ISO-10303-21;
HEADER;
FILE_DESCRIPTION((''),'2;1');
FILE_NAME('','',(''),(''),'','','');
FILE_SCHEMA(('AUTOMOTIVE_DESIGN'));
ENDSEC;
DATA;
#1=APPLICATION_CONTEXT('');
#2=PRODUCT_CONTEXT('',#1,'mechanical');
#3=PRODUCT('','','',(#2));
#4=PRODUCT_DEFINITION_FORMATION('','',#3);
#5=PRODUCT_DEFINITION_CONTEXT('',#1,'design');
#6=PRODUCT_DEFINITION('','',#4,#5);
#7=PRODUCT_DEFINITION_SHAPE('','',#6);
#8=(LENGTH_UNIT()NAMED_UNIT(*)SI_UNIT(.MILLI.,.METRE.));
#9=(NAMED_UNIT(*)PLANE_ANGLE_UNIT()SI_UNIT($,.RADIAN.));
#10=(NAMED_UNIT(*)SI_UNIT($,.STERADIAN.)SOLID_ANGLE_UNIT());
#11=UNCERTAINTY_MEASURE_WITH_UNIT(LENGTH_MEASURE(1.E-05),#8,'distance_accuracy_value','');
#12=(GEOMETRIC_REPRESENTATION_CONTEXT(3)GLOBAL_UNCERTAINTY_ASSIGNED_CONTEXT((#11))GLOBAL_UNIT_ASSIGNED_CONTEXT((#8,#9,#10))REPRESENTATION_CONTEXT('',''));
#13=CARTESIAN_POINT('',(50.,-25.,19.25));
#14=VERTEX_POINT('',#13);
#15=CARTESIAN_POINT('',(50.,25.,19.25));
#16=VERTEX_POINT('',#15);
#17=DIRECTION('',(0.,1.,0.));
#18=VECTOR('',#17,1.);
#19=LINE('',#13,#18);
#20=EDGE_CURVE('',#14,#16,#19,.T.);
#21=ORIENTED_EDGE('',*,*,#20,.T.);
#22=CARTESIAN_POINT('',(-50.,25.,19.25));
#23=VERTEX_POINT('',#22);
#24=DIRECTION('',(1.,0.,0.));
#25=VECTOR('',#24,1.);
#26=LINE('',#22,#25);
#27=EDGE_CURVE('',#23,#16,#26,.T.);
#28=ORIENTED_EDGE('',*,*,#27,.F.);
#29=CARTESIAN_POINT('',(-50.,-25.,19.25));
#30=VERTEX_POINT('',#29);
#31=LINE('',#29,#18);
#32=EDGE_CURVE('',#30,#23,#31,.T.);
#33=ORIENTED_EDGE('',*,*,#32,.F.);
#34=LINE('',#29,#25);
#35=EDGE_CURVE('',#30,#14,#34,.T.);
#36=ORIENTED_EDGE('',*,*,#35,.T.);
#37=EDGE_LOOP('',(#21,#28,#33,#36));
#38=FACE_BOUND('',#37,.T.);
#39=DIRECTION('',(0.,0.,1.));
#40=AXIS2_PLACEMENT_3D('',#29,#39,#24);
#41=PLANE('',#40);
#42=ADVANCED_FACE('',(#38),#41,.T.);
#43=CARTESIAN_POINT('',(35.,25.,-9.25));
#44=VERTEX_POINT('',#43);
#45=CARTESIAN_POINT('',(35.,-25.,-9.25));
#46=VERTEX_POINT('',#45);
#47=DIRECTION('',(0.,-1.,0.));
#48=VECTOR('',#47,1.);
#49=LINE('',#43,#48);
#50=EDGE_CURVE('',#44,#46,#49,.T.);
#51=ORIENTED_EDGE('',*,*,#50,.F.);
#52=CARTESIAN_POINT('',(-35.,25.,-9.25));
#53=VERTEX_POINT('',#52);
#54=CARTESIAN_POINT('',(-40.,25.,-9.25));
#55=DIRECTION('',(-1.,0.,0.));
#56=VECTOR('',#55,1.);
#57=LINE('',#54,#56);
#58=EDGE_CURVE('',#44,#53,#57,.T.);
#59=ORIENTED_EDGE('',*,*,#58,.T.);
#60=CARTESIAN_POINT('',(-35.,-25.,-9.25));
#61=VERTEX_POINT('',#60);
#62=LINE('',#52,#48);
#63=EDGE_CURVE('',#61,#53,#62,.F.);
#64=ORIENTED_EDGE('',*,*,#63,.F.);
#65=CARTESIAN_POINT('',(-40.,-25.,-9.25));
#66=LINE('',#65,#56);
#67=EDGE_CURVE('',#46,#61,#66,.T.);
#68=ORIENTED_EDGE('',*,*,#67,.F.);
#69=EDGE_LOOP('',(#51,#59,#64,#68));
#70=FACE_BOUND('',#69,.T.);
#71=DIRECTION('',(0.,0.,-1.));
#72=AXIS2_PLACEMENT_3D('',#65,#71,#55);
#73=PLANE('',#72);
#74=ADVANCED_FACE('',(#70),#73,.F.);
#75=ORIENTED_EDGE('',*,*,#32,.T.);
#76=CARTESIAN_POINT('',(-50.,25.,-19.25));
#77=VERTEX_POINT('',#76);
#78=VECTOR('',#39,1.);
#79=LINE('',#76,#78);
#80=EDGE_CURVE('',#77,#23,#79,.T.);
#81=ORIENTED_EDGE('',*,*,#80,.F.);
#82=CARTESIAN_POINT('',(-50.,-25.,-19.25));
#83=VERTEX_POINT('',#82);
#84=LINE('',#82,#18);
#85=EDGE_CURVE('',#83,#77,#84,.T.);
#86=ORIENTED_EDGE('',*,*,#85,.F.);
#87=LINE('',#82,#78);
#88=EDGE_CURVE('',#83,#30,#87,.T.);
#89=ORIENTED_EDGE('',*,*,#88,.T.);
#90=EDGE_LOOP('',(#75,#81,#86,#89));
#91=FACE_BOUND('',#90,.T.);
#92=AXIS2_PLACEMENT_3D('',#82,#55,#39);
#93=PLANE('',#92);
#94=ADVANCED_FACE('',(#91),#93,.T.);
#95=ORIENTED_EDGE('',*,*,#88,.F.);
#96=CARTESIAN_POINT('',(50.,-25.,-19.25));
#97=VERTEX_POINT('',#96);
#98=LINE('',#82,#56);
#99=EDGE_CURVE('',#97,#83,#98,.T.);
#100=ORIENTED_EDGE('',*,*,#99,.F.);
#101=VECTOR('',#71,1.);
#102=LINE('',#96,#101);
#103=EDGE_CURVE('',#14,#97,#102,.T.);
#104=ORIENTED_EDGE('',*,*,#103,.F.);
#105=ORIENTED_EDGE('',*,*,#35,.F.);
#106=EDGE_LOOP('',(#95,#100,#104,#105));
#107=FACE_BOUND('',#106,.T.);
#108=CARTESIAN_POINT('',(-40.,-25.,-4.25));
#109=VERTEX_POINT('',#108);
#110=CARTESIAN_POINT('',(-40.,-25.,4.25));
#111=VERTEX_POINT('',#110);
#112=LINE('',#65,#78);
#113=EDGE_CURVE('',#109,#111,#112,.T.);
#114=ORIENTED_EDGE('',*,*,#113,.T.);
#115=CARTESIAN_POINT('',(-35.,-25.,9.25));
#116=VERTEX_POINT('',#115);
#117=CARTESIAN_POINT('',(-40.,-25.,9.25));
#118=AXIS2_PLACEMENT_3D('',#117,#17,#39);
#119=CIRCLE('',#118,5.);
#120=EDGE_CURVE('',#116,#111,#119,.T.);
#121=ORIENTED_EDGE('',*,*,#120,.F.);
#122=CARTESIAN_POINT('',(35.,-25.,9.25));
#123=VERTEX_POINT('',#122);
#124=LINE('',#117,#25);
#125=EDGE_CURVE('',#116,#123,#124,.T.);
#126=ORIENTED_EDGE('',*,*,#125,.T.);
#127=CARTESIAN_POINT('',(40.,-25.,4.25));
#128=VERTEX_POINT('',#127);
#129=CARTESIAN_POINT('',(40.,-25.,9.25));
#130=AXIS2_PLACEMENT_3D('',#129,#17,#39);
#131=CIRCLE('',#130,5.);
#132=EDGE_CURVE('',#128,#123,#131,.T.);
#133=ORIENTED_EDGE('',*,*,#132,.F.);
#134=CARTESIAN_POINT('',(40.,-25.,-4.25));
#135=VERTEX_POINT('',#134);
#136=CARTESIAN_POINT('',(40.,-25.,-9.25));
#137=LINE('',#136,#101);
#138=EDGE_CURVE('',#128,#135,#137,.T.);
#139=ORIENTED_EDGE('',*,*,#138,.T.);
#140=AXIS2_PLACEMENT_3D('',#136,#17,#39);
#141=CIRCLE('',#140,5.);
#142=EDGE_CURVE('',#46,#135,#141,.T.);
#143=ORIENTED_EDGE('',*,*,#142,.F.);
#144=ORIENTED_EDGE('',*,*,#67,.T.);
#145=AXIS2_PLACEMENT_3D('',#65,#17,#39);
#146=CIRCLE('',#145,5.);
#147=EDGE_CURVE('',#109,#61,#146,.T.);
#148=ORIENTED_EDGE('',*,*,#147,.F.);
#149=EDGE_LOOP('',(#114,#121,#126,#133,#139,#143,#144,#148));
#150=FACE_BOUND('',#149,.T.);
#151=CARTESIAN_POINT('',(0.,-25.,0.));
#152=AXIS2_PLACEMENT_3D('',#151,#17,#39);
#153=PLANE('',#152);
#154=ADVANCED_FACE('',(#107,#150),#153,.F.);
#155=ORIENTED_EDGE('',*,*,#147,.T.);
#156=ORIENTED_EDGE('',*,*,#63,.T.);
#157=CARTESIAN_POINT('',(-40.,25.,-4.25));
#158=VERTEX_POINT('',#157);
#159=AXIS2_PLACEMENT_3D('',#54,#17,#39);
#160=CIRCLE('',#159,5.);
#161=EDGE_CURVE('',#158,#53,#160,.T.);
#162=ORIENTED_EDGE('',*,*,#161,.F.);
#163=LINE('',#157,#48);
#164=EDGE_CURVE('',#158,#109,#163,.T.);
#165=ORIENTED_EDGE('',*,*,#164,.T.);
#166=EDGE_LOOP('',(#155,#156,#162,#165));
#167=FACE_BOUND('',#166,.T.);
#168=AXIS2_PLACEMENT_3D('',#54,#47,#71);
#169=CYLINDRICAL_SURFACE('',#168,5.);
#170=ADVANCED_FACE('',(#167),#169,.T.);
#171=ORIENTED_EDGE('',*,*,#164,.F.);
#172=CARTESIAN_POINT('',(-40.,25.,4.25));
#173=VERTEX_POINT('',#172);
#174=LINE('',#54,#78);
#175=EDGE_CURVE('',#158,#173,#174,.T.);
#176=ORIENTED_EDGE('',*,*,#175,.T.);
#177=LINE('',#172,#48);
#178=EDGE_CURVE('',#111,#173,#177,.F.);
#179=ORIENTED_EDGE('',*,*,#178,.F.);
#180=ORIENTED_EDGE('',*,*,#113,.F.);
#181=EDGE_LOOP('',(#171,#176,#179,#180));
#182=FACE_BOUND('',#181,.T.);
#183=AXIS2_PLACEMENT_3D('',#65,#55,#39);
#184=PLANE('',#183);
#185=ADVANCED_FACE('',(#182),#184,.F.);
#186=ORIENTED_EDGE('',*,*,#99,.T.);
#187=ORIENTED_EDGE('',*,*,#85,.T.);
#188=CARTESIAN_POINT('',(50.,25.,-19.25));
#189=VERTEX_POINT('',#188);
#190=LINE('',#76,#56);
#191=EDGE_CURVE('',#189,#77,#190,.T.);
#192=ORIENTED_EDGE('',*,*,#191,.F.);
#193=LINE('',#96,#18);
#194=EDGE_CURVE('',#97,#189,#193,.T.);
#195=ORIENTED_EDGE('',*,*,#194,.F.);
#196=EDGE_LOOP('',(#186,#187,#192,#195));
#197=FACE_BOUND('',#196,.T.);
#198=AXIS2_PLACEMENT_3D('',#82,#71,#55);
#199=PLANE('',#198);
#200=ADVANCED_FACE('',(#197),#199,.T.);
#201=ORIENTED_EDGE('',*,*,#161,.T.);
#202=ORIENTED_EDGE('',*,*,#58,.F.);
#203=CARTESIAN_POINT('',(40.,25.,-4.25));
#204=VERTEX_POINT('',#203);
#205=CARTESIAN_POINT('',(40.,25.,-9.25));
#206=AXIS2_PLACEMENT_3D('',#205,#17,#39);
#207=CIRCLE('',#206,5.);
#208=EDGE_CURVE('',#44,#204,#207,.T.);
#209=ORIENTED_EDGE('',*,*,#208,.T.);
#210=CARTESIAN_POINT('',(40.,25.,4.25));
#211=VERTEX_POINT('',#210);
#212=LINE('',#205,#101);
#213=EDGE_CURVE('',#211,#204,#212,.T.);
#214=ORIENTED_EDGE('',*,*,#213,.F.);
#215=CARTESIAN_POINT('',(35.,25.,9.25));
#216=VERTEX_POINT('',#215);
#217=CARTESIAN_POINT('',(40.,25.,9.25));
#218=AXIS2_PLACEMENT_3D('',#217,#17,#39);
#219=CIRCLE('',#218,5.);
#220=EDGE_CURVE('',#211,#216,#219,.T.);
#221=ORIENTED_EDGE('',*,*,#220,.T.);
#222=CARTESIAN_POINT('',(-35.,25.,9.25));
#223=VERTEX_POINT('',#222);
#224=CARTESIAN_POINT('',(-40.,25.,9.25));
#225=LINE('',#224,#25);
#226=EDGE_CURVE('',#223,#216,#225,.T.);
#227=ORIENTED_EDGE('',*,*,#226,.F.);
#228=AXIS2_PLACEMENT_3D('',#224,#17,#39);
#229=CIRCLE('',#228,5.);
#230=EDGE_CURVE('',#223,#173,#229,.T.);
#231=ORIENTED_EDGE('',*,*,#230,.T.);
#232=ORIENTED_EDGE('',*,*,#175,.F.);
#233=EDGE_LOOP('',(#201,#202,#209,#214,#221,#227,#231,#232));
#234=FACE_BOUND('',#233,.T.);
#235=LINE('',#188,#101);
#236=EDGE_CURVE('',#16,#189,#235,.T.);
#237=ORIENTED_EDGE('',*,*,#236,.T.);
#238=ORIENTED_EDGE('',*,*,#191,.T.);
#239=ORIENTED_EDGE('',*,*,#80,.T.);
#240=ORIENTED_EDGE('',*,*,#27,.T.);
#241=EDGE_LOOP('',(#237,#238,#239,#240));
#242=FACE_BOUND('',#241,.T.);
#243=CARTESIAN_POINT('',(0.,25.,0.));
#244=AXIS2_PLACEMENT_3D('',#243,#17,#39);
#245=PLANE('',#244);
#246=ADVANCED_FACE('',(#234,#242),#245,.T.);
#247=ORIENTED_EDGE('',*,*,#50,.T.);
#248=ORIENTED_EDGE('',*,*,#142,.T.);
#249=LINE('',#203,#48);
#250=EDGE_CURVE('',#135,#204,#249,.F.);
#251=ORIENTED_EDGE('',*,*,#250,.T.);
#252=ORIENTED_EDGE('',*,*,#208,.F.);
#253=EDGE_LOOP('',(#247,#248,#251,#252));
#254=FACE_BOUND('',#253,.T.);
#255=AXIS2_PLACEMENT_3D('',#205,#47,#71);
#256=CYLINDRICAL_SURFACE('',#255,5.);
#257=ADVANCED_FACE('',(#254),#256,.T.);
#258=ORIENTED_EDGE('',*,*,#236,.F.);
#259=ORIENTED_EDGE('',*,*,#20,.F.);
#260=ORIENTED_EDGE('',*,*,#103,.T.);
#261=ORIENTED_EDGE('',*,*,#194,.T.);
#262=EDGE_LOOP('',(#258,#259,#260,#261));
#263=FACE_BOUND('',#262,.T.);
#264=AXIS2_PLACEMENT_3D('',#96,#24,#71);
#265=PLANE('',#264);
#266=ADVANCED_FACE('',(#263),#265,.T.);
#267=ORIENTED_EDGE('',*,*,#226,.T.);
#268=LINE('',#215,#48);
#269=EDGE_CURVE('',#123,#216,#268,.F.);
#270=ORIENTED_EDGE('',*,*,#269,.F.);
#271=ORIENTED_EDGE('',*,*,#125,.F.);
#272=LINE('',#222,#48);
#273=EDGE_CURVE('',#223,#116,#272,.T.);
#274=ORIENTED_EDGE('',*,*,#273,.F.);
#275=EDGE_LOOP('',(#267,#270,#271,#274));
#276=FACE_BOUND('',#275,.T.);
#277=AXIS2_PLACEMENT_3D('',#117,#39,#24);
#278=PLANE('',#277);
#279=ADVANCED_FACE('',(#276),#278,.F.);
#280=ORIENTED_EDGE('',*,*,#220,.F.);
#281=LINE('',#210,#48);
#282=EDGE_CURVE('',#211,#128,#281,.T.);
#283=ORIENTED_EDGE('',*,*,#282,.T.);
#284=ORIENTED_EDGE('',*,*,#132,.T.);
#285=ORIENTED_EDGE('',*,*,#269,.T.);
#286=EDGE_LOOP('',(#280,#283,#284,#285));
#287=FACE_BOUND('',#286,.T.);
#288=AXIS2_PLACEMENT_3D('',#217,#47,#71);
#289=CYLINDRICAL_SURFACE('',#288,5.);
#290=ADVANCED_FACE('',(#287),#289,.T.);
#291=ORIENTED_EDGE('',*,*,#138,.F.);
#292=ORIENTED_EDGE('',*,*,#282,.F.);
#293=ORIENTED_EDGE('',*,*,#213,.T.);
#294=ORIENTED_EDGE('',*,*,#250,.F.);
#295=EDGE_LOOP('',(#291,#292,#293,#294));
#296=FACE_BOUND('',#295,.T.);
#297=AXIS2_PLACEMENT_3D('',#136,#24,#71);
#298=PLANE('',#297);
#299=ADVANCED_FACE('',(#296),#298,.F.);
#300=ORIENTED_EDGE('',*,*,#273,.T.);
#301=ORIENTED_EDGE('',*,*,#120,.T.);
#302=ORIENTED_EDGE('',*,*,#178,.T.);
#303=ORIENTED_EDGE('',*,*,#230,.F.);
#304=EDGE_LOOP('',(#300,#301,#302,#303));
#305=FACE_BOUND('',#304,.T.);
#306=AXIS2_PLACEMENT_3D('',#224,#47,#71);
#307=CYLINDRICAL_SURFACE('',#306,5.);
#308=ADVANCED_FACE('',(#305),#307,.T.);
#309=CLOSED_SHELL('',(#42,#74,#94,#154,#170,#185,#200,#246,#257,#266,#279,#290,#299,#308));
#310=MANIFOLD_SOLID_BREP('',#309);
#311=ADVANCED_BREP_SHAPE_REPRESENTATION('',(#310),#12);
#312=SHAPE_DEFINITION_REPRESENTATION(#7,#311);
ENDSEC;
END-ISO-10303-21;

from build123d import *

# Parameters (mm, degrees)
BOSS_EXTRUDE1_DEPTH      = 25
BOSS_EXTRUDE1_DEPTH_BACK = 25
SKETCH1_W                = 100
SKETCH1_H                = 38.5
SKETCH1_W_2              = 80
SKETCH1_H_2              = 18.5
BOSS_EXTRUDE2_DEPTH      = 25
BOSS_EXTRUDE2_DEPTH_BACK = 25
SKETCH2_R                = 5


with BuildPart() as part:
    # Sketch1 → Boss-Extrude1 (new, two sides: drawn at the far end of the back side and taken through both)
    with BuildSketch(Plane(origin=(0, 0, 0), x_dir=(1, 0, 0), z_dir=(0, 1, 0)).offset(-BOSS_EXTRUDE1_DEPTH_BACK)):
        Rectangle(SKETCH1_W, SKETCH1_H)
        Rectangle(SKETCH1_W_2, SKETCH1_H_2, mode=Mode.SUBTRACT)
    extrude(amount=BOSS_EXTRUDE1_DEPTH + BOSS_EXTRUDE1_DEPTH_BACK)

    # Sketch2 → Boss-Extrude2 (add, two sides: drawn at the far end of the back side and taken through both)
    with BuildSketch(Plane(origin=(0, 0, 0), x_dir=(1, 0, 0), z_dir=(0, 1, 0)).offset(-BOSS_EXTRUDE2_DEPTH_BACK)):
        with Locations((40, 9.25)):
            Circle(SKETCH2_R)
        with Locations((40, -9.25)):
            Circle(SKETCH2_R)
        with Locations((-40, 9.25)):
            Circle(SKETCH2_R)
        with Locations((-40, -9.25)):
            Circle(SKETCH2_R)
    extrude(amount=BOSS_EXTRUDE2_DEPTH + BOSS_EXTRUDE2_DEPTH_BACK)


solid = part.part
